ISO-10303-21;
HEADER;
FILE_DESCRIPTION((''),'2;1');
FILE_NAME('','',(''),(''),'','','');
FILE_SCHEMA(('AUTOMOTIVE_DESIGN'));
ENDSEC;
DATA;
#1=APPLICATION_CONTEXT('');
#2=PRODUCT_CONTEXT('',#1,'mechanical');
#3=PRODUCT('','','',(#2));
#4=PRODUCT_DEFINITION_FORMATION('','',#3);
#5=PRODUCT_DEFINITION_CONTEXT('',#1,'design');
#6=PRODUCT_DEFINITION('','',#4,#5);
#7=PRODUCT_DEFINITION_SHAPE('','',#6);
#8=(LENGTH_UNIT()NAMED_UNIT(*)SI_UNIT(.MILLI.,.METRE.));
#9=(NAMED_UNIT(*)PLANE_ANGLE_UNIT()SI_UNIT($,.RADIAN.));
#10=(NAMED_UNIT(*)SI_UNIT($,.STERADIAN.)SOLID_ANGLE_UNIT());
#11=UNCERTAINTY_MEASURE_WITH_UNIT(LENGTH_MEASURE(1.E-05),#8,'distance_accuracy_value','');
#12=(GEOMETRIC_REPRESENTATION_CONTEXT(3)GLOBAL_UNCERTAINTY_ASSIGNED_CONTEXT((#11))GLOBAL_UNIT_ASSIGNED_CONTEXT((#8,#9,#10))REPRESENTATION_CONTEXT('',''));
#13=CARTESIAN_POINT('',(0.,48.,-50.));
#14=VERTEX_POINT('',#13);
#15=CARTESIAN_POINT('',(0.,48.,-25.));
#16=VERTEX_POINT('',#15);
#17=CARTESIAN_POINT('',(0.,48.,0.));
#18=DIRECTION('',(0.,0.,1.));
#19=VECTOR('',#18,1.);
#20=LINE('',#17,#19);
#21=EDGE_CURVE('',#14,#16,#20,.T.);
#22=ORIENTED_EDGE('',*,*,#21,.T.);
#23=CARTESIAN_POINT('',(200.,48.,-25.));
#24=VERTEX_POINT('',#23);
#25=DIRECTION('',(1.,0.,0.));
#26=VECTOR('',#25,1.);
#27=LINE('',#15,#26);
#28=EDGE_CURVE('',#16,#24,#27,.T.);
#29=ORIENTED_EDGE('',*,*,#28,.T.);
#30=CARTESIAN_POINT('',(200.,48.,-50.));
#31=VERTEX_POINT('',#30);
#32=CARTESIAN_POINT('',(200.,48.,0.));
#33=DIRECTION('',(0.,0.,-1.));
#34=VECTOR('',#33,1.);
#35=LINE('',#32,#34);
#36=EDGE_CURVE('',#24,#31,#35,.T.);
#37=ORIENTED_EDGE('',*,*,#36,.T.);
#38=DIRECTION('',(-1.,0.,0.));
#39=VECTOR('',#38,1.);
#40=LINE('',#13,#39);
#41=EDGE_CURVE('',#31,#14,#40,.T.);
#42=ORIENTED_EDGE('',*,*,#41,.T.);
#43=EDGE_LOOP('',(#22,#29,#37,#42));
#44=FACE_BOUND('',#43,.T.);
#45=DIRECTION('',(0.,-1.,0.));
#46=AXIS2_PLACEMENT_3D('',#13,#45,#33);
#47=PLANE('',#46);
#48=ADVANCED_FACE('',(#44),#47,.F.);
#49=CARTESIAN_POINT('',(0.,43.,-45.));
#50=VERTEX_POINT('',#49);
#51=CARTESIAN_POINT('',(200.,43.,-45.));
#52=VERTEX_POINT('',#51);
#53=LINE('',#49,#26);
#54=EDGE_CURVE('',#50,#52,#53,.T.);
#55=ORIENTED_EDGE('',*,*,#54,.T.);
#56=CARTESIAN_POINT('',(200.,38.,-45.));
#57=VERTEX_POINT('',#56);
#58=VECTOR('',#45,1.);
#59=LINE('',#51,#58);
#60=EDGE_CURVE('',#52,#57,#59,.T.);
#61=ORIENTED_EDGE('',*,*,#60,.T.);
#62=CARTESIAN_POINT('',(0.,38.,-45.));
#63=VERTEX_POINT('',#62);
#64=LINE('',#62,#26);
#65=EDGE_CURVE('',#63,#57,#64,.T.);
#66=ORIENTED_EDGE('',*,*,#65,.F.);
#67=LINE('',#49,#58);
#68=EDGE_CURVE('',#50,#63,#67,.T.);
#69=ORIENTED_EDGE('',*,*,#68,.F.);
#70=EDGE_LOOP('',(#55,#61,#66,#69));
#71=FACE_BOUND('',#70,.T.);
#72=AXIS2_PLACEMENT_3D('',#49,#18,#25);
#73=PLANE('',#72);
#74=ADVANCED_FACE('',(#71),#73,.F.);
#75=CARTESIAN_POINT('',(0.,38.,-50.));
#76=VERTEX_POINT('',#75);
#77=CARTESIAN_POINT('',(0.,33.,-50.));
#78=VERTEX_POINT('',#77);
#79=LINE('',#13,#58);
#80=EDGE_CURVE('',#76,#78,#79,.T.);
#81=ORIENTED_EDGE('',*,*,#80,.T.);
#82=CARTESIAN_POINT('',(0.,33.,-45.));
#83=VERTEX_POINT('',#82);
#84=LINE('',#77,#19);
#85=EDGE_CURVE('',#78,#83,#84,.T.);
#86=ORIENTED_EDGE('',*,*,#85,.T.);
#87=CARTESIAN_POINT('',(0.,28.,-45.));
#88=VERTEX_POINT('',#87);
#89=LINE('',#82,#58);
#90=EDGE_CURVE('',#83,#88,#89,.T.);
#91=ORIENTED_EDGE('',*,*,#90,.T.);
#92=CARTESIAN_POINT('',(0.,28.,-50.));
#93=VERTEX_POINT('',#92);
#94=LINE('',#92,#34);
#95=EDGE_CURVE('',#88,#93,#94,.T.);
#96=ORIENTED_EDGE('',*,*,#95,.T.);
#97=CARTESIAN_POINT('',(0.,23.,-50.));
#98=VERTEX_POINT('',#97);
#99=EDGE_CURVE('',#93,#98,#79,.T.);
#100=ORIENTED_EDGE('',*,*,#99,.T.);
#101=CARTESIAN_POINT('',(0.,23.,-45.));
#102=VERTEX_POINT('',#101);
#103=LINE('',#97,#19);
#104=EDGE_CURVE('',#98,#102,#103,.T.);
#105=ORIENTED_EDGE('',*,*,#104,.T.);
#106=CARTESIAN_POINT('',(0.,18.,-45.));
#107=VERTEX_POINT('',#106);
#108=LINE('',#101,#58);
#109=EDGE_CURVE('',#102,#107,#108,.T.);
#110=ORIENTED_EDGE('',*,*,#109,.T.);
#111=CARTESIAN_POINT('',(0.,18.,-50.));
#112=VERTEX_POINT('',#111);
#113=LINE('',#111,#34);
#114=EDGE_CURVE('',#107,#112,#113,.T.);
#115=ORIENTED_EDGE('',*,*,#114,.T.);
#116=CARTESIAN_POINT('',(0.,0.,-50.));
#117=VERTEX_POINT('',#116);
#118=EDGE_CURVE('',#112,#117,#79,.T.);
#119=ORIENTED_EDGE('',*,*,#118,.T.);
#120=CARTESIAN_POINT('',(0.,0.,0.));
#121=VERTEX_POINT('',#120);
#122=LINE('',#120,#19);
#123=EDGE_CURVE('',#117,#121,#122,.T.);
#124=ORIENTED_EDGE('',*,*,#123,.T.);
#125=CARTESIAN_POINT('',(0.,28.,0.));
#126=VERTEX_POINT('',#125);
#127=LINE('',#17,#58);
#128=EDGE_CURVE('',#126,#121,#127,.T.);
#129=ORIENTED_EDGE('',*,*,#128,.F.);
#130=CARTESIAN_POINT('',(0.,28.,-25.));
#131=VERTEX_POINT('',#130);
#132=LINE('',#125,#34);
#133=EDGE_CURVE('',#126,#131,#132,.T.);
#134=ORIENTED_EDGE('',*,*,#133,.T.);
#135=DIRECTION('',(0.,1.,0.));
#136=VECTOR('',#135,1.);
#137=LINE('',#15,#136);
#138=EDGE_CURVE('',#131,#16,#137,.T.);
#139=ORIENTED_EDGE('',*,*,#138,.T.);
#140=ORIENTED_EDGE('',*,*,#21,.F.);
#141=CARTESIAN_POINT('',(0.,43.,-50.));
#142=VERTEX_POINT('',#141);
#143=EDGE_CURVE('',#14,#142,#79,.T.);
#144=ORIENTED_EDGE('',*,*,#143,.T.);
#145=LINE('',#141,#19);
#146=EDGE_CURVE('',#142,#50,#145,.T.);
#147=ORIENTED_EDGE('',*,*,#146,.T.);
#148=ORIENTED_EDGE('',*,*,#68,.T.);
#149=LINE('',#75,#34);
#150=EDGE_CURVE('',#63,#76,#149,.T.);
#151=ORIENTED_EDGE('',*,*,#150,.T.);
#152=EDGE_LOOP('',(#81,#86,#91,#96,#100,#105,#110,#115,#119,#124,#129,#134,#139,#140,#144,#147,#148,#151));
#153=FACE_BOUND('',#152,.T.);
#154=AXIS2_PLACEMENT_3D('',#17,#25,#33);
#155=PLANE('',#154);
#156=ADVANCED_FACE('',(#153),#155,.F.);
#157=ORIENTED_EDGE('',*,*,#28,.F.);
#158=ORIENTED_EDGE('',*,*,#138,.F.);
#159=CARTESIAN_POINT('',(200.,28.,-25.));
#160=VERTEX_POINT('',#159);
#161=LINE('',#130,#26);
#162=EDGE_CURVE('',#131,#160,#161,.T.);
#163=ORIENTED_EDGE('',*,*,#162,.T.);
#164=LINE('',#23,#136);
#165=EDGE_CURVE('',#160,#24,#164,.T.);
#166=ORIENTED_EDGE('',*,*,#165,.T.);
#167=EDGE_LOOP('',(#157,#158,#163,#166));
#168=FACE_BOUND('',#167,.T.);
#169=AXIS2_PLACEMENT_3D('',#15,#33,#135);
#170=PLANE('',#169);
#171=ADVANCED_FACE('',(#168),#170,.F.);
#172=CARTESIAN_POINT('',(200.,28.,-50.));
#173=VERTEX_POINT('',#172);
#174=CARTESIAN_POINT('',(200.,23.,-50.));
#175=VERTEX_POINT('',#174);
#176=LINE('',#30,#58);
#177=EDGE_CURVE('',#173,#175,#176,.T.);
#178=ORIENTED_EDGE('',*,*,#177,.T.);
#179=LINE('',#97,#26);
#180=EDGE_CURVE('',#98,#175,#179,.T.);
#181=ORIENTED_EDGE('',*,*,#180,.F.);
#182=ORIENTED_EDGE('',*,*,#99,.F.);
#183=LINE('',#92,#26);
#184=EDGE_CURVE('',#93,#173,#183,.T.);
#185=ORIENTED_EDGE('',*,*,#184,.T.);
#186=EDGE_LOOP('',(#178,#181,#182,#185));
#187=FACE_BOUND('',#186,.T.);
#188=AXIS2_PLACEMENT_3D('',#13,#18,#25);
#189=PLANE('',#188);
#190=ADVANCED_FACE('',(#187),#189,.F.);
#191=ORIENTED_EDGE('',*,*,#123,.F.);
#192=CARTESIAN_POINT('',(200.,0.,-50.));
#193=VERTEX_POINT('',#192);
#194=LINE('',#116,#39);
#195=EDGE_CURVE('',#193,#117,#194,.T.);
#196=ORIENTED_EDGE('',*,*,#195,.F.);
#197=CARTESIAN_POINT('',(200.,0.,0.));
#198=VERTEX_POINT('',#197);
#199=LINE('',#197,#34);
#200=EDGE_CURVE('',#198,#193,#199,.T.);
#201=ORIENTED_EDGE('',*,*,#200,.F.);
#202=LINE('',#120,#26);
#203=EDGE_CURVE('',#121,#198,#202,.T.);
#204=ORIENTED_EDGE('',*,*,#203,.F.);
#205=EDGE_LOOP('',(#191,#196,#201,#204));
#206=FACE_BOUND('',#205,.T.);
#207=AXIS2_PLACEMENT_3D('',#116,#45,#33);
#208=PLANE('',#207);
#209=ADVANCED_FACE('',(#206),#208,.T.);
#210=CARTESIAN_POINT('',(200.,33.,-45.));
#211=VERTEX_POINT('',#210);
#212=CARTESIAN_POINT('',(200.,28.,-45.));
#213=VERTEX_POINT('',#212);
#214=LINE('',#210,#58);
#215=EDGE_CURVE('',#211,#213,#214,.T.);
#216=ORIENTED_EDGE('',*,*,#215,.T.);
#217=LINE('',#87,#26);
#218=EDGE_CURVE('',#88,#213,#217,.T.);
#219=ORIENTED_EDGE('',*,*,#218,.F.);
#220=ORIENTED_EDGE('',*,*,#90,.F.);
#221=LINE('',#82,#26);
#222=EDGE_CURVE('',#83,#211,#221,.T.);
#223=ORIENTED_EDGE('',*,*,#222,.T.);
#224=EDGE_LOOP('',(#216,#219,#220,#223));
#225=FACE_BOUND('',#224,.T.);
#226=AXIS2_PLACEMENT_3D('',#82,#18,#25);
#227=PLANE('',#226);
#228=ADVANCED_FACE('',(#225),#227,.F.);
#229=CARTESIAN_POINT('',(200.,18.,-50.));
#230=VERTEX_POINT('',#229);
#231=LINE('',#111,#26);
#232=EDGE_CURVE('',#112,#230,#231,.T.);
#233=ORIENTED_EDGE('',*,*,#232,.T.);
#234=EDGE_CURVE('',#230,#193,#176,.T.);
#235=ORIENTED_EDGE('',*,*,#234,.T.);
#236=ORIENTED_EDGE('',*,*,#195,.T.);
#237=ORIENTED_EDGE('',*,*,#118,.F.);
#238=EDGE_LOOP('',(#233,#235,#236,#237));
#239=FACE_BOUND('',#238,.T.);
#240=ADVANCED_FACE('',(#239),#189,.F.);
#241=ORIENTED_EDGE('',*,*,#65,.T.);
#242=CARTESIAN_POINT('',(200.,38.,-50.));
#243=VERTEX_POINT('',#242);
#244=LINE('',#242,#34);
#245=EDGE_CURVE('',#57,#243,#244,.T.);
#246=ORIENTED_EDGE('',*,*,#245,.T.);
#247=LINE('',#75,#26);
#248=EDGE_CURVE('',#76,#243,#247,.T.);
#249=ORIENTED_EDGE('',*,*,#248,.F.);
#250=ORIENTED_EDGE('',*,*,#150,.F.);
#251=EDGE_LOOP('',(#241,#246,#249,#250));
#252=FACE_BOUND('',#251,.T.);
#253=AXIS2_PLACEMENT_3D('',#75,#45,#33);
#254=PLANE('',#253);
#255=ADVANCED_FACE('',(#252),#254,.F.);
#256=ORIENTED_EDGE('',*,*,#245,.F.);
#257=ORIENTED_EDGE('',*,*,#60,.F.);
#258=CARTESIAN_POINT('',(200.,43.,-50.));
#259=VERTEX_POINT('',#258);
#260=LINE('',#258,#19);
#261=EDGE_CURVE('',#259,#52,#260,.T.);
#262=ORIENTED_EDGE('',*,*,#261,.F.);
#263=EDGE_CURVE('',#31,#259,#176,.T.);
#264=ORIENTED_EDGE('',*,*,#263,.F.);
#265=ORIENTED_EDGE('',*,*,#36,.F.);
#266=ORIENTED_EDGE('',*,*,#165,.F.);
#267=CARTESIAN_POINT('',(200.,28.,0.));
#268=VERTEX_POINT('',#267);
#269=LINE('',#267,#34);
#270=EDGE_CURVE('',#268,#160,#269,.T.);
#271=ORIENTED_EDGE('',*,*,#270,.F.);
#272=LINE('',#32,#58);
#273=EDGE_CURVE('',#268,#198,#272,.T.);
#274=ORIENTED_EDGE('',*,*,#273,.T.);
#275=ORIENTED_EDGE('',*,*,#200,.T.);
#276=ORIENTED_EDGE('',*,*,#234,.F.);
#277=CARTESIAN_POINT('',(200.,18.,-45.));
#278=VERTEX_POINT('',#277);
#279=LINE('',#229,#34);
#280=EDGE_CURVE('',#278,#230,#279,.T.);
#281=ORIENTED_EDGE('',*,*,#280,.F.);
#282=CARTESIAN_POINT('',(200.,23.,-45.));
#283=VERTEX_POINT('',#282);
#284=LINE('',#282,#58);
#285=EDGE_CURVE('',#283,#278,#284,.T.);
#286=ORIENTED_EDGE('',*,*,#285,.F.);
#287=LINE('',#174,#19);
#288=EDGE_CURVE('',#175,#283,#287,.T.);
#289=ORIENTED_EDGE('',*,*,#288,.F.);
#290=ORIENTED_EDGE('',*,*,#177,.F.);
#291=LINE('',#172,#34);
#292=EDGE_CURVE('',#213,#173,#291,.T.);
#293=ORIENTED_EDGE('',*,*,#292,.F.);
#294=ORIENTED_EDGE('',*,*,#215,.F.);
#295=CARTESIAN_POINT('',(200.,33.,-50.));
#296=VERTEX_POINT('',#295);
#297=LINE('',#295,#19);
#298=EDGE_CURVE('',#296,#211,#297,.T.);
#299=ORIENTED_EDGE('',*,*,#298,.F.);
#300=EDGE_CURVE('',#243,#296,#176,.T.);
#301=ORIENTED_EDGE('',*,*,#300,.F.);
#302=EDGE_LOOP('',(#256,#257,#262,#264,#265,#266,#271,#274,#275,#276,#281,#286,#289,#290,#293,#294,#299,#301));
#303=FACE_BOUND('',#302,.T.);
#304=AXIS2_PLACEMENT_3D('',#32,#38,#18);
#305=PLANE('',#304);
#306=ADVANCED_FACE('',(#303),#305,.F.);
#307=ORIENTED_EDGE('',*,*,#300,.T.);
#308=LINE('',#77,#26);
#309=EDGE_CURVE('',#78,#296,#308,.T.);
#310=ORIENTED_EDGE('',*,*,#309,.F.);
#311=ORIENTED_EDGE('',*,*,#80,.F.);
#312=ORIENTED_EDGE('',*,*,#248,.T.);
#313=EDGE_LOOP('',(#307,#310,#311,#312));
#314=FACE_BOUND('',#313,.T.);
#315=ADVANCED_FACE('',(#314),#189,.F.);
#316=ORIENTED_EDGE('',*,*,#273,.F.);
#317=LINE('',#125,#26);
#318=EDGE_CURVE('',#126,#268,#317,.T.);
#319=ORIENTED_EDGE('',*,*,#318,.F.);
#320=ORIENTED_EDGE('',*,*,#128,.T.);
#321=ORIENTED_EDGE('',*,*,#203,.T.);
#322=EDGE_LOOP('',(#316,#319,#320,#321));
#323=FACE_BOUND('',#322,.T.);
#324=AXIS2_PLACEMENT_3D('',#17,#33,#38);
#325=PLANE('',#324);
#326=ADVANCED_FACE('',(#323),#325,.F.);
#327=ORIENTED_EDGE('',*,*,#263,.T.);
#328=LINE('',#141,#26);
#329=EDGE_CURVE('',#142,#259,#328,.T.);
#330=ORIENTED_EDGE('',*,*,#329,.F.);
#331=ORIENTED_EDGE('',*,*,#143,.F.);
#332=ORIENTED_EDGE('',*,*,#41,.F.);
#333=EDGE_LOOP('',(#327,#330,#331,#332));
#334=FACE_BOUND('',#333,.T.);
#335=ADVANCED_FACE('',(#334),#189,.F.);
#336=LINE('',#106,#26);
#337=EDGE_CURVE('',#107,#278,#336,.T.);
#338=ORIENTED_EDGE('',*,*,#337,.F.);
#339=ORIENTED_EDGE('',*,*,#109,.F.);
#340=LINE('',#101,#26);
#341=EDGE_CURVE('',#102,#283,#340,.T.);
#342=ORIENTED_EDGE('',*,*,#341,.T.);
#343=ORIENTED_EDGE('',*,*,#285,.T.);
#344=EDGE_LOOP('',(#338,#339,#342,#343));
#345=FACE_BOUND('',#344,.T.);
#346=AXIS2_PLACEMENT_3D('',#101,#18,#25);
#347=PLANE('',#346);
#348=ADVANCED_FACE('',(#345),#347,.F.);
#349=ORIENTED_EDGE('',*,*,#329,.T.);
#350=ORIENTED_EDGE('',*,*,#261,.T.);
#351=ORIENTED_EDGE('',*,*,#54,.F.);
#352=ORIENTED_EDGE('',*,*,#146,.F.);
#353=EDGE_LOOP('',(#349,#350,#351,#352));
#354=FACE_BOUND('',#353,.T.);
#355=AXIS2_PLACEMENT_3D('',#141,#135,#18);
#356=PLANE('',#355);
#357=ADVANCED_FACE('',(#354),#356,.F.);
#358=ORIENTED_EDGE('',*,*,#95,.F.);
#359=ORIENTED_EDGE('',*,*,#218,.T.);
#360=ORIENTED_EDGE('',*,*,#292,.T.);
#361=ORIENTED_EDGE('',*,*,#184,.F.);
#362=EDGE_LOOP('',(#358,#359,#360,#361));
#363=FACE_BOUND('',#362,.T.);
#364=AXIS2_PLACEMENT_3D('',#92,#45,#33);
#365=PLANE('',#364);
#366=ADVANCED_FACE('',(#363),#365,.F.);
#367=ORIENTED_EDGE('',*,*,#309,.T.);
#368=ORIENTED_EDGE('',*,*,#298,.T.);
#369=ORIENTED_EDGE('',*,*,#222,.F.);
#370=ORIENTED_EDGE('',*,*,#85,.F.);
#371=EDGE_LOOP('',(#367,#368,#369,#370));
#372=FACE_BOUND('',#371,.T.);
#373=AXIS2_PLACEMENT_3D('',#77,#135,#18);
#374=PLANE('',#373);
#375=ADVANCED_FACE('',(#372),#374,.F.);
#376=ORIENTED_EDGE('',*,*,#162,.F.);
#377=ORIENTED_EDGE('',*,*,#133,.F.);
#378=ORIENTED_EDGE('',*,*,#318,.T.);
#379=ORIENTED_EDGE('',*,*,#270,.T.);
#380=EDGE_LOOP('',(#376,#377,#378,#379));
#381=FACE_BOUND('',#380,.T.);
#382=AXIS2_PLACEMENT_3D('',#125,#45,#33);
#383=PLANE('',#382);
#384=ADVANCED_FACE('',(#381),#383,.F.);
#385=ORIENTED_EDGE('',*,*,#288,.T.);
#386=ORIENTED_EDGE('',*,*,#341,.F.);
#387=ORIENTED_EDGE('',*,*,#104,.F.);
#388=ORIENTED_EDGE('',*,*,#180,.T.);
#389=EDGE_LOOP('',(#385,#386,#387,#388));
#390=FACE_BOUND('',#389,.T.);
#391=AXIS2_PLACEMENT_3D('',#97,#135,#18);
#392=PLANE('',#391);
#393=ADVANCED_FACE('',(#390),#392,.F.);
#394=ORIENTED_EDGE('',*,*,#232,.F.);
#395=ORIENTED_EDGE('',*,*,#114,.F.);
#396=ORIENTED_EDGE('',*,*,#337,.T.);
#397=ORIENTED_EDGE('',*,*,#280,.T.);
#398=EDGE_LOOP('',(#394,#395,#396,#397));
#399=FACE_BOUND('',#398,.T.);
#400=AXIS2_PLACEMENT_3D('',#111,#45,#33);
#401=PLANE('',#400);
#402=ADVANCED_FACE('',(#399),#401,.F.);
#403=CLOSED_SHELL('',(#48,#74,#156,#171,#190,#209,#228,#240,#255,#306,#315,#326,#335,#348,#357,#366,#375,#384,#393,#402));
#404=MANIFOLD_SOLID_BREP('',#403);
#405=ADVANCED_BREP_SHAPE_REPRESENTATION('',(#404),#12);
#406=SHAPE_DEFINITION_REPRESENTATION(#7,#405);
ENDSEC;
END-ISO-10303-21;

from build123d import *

# Parameters (mm, degrees)
SKETCH1_W               = 200
SKETCH1_H               = 50
EXTRUDE1_DEPTH          = 48
ESQUISSE1_W             = 25
ESQUISSE1_H             = 20
ESQUISSE1_W_2           = 5
ESQUISSE1_H_2           = 5
ENL_V_MAT_EXTRU_1_DEPTH = 212.669553786


with BuildPart() as part:
    # Sketch1 → Extrude1 (new body)
    with BuildSketch(Plane(origin=(0, 0, 0), x_dir=(1, 0, 0), z_dir=(0, 1, 0))):
        with Locations((100, 25)):
            Rectangle(SKETCH1_W, SKETCH1_H)
    extrude(amount=EXTRUDE1_DEPTH)

    # Esquisse1 → Enlèv. mat.-Extru.1 (cut, through all)
    with BuildSketch(Plane(origin=(200, 0, 0), x_dir=(0, 0, -1), z_dir=(1, 0, 0))):
        with Locations((12.5, 38)):
            Rectangle(ESQUISSE1_W, ESQUISSE1_H)
        with Locations((47.5, 40.5)):
            Rectangle(ESQUISSE1_W_2, ESQUISSE1_H_2)
        with Locations((47.5, 30.5)):
            Rectangle(ESQUISSE1_W_2, ESQUISSE1_H_2)
        with Locations((47.5, 20.5)):
            Rectangle(ESQUISSE1_W_2, ESQUISSE1_H_2)
    extrude(amount=-ENL_V_MAT_EXTRU_1_DEPTH, mode=Mode.SUBTRACT)


solid = part.part
